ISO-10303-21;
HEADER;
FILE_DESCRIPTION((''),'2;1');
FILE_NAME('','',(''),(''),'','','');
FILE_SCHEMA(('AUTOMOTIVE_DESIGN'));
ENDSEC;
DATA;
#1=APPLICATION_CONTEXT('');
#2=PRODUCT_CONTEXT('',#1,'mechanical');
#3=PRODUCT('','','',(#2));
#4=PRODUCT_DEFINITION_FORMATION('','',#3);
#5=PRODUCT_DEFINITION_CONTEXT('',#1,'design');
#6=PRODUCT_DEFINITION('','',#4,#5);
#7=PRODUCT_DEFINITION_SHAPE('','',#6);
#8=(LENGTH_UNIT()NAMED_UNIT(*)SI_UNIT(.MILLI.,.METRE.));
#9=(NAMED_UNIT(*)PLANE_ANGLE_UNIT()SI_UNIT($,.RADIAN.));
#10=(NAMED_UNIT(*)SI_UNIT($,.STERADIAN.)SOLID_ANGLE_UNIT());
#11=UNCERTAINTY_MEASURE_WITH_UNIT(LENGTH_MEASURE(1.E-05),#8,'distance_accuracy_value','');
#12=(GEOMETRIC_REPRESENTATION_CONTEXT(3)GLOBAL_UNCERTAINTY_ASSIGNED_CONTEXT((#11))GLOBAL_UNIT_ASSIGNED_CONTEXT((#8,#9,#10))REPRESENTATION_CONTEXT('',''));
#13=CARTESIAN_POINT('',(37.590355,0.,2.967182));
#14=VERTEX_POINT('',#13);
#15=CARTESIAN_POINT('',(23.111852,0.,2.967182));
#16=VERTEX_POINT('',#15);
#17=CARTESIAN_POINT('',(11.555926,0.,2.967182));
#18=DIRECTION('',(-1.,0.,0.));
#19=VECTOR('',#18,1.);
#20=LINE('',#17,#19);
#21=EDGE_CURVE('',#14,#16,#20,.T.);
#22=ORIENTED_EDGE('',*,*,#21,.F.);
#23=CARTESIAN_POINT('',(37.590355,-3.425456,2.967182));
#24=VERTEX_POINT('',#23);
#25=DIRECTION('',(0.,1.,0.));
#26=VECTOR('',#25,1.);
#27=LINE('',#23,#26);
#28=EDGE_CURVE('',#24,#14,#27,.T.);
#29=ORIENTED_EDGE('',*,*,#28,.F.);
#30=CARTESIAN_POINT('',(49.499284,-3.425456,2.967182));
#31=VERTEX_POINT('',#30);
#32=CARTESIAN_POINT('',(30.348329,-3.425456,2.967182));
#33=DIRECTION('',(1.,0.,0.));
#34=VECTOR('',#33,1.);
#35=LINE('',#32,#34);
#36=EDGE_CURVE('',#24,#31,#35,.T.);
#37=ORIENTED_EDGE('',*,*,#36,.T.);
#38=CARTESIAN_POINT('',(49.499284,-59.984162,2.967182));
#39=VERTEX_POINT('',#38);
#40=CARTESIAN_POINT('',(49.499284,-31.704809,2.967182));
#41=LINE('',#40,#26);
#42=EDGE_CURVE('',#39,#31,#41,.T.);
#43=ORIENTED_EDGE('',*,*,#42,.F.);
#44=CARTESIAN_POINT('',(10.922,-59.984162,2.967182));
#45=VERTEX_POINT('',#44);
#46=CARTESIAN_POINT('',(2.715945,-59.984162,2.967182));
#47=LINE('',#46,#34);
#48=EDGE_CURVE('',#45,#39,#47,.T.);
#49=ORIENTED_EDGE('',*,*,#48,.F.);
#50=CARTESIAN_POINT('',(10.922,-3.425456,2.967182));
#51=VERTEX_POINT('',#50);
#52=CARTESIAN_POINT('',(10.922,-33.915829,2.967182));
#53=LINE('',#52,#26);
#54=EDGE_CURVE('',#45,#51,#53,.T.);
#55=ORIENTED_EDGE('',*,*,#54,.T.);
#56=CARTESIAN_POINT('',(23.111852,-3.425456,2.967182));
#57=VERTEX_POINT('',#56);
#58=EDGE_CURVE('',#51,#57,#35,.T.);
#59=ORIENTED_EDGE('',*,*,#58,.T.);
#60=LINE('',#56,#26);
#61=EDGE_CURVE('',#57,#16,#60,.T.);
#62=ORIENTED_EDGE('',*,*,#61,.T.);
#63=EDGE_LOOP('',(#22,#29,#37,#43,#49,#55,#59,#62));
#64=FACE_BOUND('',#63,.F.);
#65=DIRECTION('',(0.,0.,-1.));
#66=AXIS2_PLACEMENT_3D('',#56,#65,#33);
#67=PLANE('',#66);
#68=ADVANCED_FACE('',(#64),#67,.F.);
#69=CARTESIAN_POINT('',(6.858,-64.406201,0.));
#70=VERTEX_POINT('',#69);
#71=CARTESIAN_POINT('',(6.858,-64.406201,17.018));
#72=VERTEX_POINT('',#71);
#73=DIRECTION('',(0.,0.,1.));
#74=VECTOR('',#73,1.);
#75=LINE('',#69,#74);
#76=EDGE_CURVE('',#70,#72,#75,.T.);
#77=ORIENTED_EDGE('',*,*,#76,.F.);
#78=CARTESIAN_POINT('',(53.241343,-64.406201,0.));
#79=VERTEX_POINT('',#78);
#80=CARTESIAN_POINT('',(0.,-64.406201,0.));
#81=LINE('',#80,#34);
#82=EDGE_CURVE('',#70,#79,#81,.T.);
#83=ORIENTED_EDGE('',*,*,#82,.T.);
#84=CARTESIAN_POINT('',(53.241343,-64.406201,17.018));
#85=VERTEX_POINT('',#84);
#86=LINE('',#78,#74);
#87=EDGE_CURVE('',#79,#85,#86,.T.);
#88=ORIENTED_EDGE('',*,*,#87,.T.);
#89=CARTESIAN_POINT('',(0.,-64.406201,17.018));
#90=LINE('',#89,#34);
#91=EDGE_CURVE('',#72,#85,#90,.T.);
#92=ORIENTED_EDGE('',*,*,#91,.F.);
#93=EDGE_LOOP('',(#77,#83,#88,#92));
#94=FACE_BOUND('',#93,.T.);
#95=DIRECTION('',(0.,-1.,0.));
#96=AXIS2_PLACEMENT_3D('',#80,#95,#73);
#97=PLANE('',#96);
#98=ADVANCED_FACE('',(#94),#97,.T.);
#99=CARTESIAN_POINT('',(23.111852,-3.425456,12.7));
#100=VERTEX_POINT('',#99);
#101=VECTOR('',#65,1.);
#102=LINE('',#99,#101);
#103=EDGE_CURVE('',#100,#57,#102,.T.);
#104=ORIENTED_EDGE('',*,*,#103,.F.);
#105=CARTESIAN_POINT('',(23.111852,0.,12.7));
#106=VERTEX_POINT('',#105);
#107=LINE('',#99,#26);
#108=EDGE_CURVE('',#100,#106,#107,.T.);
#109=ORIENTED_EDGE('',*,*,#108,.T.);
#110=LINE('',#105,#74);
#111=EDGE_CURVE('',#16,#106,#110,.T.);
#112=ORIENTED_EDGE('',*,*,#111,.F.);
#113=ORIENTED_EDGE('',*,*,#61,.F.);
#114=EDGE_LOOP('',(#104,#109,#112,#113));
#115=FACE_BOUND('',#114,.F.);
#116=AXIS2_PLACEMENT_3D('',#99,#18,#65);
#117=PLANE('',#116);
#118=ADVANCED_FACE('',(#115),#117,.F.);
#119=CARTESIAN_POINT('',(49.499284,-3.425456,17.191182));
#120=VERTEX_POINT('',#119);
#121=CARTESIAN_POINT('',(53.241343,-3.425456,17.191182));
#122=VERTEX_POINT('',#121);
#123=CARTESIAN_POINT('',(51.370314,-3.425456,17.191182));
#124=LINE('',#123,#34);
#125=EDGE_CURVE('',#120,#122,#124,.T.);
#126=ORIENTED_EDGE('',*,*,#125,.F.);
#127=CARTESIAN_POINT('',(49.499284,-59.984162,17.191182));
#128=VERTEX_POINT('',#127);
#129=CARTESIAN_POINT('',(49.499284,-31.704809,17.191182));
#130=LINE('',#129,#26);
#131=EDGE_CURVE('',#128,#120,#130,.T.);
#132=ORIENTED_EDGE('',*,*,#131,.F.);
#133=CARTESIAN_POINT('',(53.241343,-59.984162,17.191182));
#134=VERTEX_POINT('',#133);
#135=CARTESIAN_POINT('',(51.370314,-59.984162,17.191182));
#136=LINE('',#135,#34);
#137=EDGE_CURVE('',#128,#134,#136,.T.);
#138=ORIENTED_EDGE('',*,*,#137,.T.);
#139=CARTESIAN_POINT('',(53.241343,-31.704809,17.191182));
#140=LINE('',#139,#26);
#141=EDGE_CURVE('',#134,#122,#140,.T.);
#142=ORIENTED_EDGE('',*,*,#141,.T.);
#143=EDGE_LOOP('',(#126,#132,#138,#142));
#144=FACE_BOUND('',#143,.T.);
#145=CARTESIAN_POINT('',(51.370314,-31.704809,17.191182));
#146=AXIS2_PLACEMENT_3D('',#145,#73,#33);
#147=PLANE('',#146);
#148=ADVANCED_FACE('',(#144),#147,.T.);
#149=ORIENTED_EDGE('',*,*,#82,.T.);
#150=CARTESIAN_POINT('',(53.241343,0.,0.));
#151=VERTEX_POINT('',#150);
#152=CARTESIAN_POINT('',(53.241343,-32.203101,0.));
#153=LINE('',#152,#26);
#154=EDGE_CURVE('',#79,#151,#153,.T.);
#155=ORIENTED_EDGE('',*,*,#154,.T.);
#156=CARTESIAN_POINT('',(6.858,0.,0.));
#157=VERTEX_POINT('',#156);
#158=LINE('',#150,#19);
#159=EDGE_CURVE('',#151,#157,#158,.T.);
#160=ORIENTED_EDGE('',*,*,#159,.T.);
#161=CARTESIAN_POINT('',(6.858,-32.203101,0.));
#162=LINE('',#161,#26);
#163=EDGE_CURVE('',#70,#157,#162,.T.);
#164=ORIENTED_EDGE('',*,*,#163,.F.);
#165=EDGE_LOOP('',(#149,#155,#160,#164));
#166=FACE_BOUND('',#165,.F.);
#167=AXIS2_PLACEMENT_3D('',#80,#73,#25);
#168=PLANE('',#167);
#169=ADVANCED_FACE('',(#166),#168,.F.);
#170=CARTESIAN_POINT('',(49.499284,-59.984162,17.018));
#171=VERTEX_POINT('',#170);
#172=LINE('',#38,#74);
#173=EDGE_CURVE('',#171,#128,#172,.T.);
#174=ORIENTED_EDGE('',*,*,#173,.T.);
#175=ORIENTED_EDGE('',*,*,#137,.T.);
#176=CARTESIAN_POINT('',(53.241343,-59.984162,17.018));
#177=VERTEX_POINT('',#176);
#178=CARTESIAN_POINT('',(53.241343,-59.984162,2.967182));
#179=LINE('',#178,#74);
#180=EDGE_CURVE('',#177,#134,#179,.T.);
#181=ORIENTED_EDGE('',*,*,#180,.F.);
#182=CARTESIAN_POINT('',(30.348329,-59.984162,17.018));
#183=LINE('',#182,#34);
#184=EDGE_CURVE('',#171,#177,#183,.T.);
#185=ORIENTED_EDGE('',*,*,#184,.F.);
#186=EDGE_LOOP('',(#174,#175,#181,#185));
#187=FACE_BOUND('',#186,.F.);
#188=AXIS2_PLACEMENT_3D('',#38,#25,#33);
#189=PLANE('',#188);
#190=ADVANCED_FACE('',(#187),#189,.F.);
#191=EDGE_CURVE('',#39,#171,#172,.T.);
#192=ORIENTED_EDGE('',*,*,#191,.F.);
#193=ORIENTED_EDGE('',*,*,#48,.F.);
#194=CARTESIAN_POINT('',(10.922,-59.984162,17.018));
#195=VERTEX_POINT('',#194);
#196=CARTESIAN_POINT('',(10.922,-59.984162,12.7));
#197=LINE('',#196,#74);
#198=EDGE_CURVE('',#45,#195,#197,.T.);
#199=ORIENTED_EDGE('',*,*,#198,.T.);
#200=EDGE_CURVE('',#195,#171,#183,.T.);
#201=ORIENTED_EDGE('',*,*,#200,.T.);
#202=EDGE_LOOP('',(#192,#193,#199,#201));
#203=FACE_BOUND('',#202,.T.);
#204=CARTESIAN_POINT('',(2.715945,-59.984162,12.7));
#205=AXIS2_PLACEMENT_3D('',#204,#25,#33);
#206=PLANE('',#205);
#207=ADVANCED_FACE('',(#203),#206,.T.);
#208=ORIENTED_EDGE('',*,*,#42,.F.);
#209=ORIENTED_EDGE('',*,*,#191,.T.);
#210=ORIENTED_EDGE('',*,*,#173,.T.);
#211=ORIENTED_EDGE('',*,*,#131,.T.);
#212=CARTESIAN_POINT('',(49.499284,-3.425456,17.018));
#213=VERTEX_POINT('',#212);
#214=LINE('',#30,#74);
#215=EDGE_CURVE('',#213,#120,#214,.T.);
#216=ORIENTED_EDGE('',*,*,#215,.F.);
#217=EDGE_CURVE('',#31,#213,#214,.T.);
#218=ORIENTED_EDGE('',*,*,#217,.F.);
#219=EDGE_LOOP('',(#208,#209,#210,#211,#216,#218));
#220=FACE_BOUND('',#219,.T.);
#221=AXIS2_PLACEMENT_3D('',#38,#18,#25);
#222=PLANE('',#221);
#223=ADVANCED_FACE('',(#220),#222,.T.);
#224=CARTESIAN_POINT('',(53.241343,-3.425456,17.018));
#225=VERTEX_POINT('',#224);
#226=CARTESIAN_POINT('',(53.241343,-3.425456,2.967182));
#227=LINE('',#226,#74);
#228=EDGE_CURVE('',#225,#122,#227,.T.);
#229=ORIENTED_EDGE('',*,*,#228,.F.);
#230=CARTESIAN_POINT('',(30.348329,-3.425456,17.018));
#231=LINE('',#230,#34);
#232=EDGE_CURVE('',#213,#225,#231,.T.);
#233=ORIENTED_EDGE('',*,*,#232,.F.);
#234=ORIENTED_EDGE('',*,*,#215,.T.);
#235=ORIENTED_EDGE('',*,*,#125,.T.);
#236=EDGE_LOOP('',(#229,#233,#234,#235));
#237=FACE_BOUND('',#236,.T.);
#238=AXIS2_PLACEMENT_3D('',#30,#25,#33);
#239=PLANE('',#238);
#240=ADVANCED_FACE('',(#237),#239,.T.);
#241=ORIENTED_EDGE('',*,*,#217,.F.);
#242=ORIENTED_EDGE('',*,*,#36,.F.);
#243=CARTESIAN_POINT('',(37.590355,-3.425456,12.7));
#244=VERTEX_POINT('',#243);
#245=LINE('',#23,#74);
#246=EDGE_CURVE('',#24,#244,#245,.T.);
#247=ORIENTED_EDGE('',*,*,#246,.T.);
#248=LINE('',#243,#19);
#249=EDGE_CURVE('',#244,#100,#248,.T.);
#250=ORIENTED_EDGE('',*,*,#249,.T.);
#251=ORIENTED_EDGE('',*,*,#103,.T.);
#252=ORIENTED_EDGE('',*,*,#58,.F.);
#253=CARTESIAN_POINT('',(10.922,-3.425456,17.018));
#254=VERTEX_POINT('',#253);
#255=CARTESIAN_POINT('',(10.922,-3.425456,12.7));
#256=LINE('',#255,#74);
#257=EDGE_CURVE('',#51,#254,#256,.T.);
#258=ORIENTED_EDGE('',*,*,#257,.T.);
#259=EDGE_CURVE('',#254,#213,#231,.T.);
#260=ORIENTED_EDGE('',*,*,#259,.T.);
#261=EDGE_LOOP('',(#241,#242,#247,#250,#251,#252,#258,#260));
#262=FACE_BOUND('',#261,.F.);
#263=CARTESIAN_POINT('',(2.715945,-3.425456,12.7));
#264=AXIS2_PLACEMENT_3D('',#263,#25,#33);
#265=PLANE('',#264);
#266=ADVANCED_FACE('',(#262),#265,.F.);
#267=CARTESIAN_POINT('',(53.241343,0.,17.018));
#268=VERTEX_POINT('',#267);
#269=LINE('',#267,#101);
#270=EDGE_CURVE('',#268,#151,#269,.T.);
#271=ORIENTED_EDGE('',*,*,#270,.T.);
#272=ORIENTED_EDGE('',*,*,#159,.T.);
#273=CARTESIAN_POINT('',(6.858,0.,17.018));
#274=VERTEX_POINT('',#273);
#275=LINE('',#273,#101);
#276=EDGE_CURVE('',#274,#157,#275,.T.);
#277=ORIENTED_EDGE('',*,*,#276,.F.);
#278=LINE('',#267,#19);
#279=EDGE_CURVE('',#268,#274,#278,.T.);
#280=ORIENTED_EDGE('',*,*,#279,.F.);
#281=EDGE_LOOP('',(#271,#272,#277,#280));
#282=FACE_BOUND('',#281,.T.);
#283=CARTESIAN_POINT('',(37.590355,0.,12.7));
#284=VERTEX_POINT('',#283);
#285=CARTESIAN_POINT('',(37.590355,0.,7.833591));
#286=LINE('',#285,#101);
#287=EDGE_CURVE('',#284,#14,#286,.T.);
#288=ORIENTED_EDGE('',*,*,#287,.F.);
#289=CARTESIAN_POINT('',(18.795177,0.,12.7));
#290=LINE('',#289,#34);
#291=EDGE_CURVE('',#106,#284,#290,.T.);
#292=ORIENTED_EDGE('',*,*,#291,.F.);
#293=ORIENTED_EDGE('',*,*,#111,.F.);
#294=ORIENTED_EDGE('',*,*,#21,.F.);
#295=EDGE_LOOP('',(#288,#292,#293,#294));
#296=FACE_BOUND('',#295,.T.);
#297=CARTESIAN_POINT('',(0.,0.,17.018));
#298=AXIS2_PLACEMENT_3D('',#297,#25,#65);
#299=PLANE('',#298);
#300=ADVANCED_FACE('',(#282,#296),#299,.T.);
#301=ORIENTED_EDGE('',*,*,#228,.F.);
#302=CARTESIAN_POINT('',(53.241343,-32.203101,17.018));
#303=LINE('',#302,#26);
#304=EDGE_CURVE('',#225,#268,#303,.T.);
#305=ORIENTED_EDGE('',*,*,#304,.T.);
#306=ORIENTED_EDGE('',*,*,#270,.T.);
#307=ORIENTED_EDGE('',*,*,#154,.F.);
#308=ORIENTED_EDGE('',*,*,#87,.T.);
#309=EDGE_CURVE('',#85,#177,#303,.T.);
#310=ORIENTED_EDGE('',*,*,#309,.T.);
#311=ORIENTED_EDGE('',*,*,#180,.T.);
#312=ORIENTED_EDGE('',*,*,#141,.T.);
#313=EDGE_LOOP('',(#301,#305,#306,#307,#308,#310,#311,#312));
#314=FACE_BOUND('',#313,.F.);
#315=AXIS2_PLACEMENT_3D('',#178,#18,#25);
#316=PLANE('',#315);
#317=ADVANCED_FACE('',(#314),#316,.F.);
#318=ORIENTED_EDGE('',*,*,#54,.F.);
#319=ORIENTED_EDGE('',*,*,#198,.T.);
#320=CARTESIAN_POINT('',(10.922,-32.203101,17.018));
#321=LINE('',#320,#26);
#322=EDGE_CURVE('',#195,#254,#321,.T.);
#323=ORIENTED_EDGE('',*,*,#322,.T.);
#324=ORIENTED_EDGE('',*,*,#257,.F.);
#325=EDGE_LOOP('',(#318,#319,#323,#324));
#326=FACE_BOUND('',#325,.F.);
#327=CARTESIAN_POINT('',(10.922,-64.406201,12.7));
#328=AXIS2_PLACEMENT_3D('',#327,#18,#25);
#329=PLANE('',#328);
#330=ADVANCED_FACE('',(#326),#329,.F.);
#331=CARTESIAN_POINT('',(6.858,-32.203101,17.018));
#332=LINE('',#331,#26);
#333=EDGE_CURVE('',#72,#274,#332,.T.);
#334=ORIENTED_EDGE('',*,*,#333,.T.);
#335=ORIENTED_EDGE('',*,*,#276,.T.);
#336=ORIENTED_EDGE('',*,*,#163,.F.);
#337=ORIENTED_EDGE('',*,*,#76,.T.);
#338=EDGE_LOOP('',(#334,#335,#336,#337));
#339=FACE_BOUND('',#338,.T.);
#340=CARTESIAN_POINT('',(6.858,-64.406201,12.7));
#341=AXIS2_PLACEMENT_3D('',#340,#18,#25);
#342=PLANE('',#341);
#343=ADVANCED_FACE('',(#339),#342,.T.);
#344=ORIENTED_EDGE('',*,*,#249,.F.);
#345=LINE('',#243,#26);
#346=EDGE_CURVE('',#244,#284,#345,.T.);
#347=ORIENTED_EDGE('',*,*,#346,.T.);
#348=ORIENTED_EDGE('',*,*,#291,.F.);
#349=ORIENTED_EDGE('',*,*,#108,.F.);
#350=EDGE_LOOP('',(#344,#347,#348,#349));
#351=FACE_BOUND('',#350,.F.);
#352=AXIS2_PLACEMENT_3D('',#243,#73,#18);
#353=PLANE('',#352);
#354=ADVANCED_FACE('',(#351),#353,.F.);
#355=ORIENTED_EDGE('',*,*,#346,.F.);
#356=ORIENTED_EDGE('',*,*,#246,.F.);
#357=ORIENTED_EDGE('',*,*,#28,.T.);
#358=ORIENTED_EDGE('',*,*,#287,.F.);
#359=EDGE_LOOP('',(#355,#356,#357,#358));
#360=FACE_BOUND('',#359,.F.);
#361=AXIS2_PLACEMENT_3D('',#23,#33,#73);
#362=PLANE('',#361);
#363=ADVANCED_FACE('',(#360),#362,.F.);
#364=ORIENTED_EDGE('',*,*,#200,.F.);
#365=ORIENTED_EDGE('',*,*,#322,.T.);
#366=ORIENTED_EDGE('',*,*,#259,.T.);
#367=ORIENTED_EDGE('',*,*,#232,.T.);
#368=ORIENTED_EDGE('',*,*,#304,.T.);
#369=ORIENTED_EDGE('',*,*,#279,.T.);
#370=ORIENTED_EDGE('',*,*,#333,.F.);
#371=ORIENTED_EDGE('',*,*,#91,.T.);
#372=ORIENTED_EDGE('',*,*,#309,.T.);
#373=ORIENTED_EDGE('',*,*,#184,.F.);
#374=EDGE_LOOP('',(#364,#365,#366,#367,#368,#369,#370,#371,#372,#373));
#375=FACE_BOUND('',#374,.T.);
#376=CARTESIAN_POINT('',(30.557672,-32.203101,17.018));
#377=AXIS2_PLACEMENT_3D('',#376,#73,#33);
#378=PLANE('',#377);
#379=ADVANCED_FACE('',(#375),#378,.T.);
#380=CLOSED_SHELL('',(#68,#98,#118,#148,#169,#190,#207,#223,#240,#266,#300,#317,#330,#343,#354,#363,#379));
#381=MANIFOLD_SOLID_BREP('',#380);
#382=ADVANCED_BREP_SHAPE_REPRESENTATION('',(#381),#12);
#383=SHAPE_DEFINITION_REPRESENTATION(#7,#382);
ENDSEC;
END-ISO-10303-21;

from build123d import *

# Parameters (mm, degrees)
F0_W      = 61.1153431237
F0_H      = 64.4062012434
F0_W_2    = 55.2647679579
F0_H_2    = 56.5587065648
F1_DEPTH  = 12.7
F2_W      = 55.2647679579
F2_H      = 2.967182314
F3_DEPTH  = 56.896
F5_DEPTH  = 4.318
F6_DEPTH  = 25.4
F7_DEPTH  = 7.874
F8_W      = 3.7420586476
F8_H      = 56.5587065648
F9_DEPTH  = 14.224
F10_DEPTH = 10.922
F11_DEPTH = 6.858


with BuildPart() as f1:
    # F0 (on Top) → F1 (new body)
    with BuildSketch(Plane.XY):
        with Locations((30.5576715618, -32.2031006217)):
            Rectangle(F0_W, F0_H)
        with Locations((30.3483285243, -31.7048091674)):
            Rectangle(F0_W_2, F0_H_2, mode=Mode.SUBTRACT)
    extrude(amount=F1_DEPTH)

    # F2 (on face) → F3 (join)
    with BuildSketch(Plane.XZ.offset(3.425455885)):
        with Locations((30.3483285243, 1.483591157)):
            Rectangle(F2_W, F2_H)
    extrude(amount=F3_DEPTH)

    # F5 (add): a face of the model
    f5_faces = [f1.faces().sort_by_distance(p)[0] for p in [
        (30.5576715618, -0.8878763384, 12.7),
    ]]
    extrude(f5_faces, amount=F5_DEPTH)

    # F4 (on face) → F6 (cut)
    with BuildSketch(Plane.XZ.offset(3.425455885)):
        Polygon((37.590354681, 7.833591157), (37.590354681, 12.7), (30.3483285243, 12.7), (23.1118518859, 12.7), (23.1118518859, 7.833591157), (23.1118518859, 2.967182314), (30.3483285243, 2.967182314), (37.590354681, 2.967182314), align=None)
    extrude(amount=-F6_DEPTH, mode=Mode.SUBTRACT)

    # F7 (cut): a face of the model
    f7_faces = [f1.faces().sort_by_distance(p)[0] for p in [
        (61.1153431237, -32.2031006217, 8.509),
    ]]
    extrude(f7_faces, amount=-F7_DEPTH, mode=Mode.SUBTRACT)

    # F8 (on face) → F9 (join)
    with BuildSketch(Plane.XY.offset(2.967182314)):
        with Locations((51.3703137999, -31.7048091674)):
            Rectangle(F8_W, F8_H)
    extrude(amount=F9_DEPTH)

    # F10 (add): a face of the model
    f10_faces = [f1.faces().sort_by_distance(p)[0] for p in [
        (0, -32.2031006217, 8.509),
    ]]
    extrude(f10_faces, amount=-F10_DEPTH)

    # F11 (cut): a face of the model
    f11_faces = [f1.faces().sort_by_distance(p)[0] for p in [
        (0, -32.2031006217, 8.509),
    ]]
    extrude(f11_faces, amount=-F11_DEPTH, mode=Mode.SUBTRACT)


solid = f1.part
